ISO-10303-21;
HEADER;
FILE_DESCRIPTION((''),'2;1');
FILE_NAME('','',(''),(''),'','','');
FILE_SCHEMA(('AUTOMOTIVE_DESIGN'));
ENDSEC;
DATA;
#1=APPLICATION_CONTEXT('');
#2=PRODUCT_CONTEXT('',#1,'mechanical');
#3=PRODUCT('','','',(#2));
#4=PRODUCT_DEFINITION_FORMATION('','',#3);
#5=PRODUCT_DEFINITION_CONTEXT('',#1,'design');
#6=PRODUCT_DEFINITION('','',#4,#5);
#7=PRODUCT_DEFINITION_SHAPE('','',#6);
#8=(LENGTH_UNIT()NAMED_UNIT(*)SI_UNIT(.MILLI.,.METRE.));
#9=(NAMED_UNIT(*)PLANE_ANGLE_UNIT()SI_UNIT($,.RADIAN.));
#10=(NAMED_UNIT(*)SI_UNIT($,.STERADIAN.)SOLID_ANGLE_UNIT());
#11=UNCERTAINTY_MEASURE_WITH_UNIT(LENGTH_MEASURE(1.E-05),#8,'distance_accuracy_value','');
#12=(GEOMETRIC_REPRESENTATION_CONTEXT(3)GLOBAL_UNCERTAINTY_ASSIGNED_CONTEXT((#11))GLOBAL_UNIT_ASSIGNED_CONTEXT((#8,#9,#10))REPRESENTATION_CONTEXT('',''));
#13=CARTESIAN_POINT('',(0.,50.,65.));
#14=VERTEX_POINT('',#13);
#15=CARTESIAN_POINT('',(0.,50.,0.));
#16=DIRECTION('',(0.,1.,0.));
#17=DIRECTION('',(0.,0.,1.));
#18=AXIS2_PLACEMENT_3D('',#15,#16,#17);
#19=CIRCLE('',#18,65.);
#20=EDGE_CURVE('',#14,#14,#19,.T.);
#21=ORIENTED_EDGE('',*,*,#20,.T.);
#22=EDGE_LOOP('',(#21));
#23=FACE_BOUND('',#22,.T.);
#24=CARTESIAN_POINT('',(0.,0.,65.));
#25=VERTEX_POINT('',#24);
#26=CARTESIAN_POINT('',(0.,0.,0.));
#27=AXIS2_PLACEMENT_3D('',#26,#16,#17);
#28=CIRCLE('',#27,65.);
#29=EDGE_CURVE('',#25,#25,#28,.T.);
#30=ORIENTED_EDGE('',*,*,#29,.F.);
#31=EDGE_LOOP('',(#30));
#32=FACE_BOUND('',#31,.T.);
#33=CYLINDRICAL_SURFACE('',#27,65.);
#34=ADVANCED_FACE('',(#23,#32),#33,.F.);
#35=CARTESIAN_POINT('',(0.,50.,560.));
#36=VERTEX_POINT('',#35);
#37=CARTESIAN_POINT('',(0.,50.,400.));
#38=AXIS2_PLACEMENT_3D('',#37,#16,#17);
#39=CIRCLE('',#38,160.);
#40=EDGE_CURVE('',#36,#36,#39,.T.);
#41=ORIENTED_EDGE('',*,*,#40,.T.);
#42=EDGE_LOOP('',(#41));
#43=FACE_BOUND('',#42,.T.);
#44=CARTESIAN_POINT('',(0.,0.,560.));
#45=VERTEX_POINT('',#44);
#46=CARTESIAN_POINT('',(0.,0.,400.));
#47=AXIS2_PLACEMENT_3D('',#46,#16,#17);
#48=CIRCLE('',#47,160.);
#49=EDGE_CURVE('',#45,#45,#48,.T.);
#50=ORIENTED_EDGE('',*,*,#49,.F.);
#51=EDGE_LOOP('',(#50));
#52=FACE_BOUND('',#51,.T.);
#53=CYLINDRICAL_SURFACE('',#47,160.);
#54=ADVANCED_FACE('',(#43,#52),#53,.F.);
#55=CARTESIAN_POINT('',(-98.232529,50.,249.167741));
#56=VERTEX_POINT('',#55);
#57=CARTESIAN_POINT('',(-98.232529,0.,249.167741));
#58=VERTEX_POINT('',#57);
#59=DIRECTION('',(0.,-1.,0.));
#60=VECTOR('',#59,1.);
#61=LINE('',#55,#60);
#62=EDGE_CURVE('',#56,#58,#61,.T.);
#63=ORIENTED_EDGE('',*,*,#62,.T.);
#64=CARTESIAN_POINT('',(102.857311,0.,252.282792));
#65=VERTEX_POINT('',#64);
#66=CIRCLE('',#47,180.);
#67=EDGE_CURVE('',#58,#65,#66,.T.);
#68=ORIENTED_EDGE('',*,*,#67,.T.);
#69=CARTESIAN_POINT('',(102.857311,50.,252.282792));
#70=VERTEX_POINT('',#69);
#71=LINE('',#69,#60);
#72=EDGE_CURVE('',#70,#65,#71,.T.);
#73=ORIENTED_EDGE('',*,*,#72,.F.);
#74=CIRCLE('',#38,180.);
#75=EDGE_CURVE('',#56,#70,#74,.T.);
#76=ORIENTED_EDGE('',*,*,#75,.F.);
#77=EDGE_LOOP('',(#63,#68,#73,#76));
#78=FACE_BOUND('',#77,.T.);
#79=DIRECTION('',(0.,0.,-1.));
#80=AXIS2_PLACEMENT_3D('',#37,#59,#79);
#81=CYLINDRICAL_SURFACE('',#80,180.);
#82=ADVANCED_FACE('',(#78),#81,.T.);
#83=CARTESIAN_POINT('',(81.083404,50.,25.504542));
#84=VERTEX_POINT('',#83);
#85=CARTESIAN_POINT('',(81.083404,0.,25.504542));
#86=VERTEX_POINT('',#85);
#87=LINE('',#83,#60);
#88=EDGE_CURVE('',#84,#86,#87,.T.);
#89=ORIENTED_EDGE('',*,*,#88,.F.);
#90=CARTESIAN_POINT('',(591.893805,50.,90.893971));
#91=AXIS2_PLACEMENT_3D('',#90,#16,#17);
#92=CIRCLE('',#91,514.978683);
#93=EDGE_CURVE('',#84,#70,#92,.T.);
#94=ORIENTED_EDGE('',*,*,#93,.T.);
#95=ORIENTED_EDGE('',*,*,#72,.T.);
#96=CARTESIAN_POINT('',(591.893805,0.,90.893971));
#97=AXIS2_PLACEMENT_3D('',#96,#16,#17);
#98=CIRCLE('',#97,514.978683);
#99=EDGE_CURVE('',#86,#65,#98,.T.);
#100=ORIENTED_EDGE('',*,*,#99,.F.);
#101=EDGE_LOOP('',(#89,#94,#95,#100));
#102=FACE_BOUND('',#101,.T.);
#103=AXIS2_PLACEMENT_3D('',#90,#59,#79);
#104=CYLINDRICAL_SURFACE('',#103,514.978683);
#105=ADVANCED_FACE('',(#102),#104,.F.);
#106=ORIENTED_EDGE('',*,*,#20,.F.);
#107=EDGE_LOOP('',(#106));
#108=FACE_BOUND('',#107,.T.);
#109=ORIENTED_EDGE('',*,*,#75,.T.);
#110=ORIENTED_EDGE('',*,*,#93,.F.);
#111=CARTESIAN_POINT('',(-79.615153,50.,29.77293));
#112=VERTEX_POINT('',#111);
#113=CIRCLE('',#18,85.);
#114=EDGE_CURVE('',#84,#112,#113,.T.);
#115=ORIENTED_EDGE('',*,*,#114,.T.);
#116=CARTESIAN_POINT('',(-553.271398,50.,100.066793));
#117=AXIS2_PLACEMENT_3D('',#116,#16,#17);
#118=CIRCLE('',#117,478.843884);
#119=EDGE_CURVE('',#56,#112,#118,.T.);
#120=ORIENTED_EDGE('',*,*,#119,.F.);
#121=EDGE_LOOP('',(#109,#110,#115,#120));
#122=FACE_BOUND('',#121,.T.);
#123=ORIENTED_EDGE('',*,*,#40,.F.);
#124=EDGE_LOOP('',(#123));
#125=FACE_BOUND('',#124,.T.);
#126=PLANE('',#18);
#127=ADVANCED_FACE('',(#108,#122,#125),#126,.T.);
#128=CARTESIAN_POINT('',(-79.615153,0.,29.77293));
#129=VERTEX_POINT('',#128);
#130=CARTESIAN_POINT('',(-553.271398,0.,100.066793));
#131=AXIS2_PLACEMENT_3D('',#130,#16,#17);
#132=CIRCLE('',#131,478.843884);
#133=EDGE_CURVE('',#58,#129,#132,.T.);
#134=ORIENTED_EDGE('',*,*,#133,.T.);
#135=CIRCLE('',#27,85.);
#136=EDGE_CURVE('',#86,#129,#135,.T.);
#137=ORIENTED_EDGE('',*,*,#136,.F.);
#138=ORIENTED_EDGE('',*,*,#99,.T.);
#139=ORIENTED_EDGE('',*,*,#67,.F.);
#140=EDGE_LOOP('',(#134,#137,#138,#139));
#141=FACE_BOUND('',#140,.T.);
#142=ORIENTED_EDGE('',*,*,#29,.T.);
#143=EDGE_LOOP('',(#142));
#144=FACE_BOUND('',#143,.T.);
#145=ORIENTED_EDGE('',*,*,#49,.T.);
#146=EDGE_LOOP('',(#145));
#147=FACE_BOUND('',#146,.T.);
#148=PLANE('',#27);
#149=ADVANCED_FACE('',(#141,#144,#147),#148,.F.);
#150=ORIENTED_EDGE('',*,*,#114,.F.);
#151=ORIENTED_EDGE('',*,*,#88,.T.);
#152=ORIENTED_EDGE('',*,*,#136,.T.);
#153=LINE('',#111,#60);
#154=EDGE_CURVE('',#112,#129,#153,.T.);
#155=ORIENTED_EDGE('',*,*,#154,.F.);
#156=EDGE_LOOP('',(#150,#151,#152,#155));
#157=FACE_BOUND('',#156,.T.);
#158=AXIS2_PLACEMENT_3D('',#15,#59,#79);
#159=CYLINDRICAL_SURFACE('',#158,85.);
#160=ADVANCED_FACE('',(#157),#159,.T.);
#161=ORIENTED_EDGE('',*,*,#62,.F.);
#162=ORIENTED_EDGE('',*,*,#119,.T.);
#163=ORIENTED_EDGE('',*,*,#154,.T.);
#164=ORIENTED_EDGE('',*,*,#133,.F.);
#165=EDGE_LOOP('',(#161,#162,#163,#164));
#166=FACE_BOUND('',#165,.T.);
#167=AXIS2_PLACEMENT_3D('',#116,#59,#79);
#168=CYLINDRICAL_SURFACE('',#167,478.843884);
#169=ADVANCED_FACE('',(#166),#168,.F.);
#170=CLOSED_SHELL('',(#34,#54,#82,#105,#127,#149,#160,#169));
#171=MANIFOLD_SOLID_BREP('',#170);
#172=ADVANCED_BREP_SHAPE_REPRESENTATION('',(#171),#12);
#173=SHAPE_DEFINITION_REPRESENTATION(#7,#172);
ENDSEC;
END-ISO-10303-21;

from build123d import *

# Parameters (mm, degrees)
BOSS_EXTRUDE1_DEPTH = 50
SKETCH5_R           = 65
CUT_EXTRUDE3_DEPTH  = 50
SKETCH4_R           = 160
CUT_EXTRUDE4_DEPTH  = 50


with BuildPart() as part:
    # Sketch1 → Boss-Extrude1 (new body)
    with BuildSketch(Plane(origin=(0, 0, 0), x_dir=(1, 0, 0), z_dir=(0, 1, 0))):
        with BuildLine():
            ThreePointArc((-79.615153419, -29.772929752), (-76.142301846, -140.554949646), (-98.232528839, -249.167741256))
            ThreePointArc((-98.232528839, -249.167741256), (-2.78801704, -579.97840693), (102.857311412, -252.28279217))
            ThreePointArc((102.857311412, -252.28279217), (79.272553954, -140.112834924), (81.083403738, -25.504541524))
            ThreePointArc((81.083403738, -25.504541524), (-2.256928059, 84.970031633), (-79.615153419, -29.772929752))
        make_face()
    extrude(amount=BOSS_EXTRUDE1_DEPTH)

    # Sketch5 → Cut-Extrude3 (cut)
    with BuildSketch(Plane(origin=(0, 50, 0), x_dir=(1, 0, 0), z_dir=(0, 1, 0))):
        with Locations(Location((0, 0, 0), (0, 0, 270))):
            Circle(SKETCH5_R)
    extrude(amount=-CUT_EXTRUDE3_DEPTH, mode=Mode.SUBTRACT)

    # Sketch4 → Cut-Extrude4 (cut)
    with BuildSketch(Plane(origin=(0, 50, 0), x_dir=(1, 0, 0), z_dir=(0, 1, 0))):
        with Locations(Location((0, -400, 0), (0, 0, 270))):
            Circle(SKETCH4_R)
    extrude(amount=-CUT_EXTRUDE4_DEPTH, mode=Mode.SUBTRACT)


solid = part.part
